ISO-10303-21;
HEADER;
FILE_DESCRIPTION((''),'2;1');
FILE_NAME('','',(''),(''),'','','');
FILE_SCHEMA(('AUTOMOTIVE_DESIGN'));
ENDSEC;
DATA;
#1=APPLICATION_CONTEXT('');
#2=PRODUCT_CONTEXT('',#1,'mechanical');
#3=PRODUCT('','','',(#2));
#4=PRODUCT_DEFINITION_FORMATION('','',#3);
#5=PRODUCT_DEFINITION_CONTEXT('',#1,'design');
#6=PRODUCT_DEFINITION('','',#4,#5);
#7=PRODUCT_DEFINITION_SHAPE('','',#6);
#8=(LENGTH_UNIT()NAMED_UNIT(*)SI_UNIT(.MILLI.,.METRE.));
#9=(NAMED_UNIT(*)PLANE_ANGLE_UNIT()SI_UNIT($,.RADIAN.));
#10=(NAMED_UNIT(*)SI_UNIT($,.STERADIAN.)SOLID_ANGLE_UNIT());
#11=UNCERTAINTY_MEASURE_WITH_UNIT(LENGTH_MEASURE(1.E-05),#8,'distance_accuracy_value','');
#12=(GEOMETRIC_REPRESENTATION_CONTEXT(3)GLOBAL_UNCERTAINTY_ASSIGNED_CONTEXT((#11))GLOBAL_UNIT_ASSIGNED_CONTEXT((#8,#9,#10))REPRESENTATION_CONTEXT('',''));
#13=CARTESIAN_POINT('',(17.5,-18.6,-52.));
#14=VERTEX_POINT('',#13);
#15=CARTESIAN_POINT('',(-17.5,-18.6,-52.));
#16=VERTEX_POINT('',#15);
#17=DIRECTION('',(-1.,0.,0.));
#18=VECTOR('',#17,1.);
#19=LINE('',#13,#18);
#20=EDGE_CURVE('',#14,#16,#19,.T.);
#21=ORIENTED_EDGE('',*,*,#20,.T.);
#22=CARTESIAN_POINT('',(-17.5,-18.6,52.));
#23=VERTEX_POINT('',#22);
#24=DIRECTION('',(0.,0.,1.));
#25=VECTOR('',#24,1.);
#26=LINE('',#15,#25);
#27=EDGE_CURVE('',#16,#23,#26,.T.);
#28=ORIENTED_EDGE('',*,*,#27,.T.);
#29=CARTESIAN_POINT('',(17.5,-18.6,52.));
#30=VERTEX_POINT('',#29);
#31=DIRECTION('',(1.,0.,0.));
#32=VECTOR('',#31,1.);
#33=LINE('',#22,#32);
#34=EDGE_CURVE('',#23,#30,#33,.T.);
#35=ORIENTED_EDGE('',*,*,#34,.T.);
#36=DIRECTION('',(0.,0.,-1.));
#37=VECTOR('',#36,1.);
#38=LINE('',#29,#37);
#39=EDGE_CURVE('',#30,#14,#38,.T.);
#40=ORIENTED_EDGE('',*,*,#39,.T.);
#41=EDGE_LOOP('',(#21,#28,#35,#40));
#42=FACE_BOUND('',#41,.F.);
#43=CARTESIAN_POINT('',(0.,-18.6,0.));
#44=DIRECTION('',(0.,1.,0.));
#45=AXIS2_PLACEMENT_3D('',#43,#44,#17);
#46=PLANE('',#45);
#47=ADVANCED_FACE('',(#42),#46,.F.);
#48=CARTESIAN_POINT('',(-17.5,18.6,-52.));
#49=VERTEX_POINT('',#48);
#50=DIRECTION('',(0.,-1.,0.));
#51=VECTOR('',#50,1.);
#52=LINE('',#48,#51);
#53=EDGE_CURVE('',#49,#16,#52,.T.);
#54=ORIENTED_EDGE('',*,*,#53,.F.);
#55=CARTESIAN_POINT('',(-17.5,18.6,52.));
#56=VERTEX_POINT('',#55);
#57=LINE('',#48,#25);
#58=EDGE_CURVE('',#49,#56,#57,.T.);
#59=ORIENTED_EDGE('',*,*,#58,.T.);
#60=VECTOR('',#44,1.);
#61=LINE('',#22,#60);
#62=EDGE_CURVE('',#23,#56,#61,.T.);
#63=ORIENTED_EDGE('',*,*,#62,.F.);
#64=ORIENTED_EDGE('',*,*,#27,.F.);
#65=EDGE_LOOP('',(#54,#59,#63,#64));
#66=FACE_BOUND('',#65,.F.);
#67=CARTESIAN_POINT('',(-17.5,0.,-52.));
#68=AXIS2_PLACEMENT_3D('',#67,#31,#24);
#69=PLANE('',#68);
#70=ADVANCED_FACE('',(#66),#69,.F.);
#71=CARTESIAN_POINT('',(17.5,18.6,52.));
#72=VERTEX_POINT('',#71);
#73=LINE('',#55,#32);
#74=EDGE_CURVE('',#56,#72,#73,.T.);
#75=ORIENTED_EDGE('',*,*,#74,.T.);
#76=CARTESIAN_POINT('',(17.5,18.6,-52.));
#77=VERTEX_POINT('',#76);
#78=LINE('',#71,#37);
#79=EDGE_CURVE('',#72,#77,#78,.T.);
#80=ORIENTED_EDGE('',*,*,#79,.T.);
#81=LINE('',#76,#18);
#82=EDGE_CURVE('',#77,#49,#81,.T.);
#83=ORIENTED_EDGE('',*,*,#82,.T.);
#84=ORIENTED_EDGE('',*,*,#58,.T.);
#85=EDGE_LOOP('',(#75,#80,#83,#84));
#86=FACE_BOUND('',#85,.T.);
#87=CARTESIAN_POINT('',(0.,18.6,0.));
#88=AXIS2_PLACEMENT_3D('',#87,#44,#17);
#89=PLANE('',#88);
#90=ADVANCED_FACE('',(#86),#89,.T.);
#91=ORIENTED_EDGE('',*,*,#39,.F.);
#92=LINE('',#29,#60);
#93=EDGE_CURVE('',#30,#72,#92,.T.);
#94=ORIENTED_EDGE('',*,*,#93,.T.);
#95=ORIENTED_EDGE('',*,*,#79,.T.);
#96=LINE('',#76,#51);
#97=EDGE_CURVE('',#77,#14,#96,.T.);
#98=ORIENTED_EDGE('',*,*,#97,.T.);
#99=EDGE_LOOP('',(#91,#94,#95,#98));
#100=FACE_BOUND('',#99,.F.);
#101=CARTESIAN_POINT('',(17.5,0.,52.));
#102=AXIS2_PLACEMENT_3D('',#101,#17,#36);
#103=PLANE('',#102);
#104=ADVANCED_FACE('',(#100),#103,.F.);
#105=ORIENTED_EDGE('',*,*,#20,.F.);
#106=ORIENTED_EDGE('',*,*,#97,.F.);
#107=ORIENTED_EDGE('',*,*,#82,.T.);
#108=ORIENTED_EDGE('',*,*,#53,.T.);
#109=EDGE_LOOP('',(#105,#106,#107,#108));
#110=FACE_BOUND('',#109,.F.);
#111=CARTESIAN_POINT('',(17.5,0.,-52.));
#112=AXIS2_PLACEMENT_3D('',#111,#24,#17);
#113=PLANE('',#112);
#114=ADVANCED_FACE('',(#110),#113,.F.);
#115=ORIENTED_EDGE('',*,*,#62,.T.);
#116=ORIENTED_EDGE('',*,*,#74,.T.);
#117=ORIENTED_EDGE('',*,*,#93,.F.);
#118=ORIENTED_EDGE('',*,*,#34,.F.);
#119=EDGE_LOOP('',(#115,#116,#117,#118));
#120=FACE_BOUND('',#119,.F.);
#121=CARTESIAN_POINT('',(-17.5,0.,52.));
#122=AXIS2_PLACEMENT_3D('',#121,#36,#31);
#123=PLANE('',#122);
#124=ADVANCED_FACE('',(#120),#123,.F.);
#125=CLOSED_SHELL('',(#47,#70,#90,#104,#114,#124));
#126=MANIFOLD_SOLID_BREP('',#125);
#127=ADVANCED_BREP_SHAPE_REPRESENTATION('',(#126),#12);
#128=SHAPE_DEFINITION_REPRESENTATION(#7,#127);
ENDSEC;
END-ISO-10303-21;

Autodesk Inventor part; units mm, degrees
ref_plane "YZ Plane" through (0, 0, 0) normal (1, 0, 0) x (0, 1, 0)
ref_plane "XZ Plane" through (0, 0, 0) normal (0, 1, 0) x (-1, 0, 0)
ref_plane "XY Plane" through (0, 0, 0) normal (0, 0, 1) x (1, 0, 0)
sketch "Sketch1" plane through (0, 0, 0) normal (0, 1, 0) x (-1, 0, 0)
  line L0 (17.5, 52) -> (-17.5, 52)
  line L1 (-17.5, 52) -> (-17.5, -52)
  line L2 (-17.5, -52) -> (17.5, -52)
  line L3 (17.5, -52) -> (17.5, 52)
  line L4 (17.5, 52) -> (-17.5, -52) construction
  line L5 (-17.5, 52) -> (17.5, -52) construction
  point P0 (0, 0)
  dimension "d0" = 104
  dimension "d1" = 35
extrude "Extrusion1" add sketch "Sketch1" along normal blind 18.6 and the other way blind 18.6
properties part number "battery" material "PPS Plastic"
